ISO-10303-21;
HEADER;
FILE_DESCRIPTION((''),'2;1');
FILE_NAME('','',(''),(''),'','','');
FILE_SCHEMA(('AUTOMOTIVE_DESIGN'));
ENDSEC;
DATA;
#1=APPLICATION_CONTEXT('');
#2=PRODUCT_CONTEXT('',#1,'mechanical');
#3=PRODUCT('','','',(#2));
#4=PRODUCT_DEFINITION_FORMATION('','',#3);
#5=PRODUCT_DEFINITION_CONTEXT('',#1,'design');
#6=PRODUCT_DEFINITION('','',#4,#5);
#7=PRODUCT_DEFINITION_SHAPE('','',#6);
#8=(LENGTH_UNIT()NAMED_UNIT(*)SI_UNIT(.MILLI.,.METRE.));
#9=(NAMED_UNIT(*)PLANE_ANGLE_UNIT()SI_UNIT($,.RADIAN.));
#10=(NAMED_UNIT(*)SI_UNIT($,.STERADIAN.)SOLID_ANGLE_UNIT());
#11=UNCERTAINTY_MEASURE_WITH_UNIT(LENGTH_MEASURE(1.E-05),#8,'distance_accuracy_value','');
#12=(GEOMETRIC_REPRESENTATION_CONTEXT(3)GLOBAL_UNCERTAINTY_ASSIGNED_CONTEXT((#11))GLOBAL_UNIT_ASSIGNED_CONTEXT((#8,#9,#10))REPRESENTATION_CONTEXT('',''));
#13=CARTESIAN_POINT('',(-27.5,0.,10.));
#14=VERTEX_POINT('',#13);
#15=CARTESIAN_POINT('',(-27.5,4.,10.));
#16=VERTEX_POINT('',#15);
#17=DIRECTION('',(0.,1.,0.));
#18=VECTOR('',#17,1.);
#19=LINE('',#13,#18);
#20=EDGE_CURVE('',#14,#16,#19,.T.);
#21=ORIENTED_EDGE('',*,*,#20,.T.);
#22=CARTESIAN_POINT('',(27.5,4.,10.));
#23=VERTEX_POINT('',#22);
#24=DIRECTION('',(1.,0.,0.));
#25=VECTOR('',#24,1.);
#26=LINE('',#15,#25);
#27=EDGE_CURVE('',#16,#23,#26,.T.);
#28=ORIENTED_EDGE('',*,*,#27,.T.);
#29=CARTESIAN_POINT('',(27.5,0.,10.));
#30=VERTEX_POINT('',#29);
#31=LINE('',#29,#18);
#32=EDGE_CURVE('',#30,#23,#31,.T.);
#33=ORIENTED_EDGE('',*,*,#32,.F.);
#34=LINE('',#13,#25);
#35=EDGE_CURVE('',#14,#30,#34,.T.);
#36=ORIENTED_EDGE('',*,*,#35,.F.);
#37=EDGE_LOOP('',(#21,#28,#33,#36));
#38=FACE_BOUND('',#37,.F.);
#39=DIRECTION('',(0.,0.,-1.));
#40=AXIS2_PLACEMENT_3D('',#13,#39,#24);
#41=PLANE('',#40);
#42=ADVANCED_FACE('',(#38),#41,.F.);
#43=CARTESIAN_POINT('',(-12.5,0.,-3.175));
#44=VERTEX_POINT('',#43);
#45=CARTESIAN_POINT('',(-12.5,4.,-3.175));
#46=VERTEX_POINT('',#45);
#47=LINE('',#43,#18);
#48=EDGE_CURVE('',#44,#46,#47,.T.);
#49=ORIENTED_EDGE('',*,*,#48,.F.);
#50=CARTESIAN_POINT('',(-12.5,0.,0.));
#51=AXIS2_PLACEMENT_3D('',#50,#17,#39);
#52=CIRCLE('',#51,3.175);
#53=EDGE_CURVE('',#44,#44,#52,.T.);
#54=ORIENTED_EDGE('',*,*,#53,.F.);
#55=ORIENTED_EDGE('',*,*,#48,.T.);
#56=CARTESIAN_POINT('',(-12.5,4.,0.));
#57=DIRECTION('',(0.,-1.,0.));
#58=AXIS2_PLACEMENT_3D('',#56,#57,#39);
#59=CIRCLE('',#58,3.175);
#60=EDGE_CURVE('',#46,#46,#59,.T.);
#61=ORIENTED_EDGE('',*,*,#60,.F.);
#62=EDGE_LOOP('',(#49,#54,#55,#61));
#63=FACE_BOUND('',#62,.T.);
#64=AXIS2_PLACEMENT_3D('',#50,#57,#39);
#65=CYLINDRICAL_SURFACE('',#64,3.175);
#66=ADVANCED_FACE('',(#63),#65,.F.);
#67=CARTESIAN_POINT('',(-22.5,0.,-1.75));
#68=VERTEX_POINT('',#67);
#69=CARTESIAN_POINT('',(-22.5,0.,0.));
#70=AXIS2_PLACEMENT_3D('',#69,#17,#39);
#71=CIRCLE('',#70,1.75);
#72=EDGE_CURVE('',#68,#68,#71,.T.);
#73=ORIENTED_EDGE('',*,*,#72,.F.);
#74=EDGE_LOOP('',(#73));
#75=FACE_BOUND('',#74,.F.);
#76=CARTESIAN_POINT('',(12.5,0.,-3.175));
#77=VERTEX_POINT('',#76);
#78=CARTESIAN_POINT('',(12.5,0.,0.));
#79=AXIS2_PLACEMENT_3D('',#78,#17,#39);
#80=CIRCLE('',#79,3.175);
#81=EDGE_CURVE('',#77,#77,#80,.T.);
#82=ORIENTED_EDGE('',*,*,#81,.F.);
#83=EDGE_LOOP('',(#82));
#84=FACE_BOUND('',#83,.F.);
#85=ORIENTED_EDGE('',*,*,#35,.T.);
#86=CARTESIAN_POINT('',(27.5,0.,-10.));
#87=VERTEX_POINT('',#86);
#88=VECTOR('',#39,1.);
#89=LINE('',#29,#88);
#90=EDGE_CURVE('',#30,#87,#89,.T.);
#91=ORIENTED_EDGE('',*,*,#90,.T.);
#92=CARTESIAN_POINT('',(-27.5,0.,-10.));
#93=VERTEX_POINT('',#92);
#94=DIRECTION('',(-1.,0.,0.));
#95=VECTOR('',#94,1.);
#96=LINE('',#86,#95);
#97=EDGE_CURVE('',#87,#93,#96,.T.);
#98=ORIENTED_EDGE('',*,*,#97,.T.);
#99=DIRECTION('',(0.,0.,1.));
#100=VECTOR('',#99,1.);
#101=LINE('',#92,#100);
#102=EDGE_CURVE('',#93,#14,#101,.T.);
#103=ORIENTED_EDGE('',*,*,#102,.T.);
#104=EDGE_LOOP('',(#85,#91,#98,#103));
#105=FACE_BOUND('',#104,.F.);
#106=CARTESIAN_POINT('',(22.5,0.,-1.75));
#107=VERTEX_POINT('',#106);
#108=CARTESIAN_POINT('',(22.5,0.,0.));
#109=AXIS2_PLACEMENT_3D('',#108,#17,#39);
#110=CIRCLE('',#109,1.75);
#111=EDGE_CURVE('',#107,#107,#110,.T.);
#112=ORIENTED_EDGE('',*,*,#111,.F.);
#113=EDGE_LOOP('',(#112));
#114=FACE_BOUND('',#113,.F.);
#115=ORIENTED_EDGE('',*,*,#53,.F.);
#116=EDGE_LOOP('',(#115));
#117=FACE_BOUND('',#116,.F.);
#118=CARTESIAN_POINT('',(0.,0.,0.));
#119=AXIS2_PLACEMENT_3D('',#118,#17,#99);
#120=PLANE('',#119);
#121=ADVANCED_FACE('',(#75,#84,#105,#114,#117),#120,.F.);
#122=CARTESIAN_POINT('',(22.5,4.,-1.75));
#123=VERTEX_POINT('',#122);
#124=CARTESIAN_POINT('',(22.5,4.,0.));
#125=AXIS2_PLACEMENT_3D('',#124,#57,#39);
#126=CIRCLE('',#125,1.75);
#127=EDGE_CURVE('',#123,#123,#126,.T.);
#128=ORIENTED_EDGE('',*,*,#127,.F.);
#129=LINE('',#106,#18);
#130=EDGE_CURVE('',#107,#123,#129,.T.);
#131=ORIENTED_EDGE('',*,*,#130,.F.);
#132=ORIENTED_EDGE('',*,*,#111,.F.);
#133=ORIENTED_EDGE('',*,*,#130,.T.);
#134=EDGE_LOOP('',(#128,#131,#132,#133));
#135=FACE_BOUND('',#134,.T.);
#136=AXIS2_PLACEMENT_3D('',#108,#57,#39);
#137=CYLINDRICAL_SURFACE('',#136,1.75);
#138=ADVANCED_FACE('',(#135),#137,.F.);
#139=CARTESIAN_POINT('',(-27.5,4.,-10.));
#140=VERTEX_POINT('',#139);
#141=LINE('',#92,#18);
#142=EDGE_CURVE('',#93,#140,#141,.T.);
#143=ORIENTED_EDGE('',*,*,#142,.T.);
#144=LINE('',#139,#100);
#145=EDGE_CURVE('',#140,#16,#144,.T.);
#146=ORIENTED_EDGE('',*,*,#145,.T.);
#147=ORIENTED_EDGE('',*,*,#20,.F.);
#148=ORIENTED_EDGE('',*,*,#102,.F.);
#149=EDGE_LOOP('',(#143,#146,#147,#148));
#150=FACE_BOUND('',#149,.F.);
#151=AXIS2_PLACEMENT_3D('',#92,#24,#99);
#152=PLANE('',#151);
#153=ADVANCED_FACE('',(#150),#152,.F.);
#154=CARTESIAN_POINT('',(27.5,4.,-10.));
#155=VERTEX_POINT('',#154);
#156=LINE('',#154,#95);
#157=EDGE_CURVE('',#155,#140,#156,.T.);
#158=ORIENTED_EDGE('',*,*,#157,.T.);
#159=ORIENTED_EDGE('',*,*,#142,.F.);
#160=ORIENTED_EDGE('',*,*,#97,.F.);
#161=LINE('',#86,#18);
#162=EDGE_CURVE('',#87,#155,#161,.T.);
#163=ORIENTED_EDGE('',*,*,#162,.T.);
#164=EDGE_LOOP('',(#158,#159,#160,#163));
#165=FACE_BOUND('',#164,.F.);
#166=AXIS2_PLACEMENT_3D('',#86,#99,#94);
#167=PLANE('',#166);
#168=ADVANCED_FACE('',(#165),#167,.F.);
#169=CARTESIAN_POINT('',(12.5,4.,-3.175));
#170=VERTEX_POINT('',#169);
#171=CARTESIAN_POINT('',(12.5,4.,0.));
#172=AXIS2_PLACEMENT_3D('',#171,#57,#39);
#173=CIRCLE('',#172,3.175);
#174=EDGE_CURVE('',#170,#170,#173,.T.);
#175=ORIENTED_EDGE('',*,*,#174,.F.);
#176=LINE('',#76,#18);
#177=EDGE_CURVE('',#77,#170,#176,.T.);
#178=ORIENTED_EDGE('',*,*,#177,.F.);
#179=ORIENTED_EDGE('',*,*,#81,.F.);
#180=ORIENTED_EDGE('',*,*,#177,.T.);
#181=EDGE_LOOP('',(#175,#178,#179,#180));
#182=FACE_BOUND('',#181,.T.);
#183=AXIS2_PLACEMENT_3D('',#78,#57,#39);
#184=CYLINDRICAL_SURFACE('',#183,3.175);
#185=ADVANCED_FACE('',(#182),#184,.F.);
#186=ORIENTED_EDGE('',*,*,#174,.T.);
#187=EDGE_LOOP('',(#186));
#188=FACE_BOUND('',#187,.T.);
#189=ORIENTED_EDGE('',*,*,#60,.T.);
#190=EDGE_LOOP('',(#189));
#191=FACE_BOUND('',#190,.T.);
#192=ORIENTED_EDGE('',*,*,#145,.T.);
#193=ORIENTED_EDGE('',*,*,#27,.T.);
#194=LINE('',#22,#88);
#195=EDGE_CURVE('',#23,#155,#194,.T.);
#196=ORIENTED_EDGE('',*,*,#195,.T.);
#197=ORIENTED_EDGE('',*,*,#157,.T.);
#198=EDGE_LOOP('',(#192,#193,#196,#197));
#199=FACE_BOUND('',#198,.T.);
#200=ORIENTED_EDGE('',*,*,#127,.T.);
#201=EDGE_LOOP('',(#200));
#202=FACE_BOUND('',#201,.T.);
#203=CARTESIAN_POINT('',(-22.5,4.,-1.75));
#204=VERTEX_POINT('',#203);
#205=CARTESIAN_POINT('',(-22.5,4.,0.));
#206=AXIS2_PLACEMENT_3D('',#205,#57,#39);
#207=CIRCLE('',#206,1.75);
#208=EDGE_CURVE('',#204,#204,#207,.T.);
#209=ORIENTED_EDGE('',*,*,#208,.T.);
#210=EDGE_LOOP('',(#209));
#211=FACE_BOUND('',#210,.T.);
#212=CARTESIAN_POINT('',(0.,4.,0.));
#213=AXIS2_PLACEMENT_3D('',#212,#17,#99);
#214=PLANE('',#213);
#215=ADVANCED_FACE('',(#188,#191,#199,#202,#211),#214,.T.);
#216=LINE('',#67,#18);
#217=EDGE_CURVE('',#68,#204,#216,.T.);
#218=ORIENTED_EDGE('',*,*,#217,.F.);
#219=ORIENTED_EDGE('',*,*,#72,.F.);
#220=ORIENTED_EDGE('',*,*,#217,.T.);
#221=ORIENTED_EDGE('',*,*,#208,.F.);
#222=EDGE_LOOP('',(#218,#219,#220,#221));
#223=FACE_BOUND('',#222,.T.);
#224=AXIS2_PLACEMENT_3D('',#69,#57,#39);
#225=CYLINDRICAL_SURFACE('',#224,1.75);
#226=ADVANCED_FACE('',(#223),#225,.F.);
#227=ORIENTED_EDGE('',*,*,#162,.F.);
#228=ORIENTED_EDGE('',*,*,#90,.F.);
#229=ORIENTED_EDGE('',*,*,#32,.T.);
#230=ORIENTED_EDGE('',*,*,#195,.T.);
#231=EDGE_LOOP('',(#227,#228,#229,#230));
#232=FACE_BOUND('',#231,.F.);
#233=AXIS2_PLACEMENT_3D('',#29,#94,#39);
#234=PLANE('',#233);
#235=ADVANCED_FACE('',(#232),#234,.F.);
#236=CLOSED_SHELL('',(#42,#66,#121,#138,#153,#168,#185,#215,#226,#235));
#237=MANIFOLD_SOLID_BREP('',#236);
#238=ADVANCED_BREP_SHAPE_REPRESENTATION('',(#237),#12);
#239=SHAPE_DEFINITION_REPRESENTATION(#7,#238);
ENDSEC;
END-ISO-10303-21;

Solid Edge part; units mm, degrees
sketch "Sketch1" plane through (0, 0, 0) normal (0, -1, 0) x (1, 0, 0)
  line L0 (-27.5, 10) -> (27.5, 10)
  line L1 (27.5, 10) -> (27.5, -10)
  line L2 (27.5, -10) -> (-27.5, -10)
  line L3 (-27.5, -10) -> (-27.5, 10)
  dimension "D1" = 55
  dimension "D2" = 20
extrude "Protrusion1" add sketch "Sketch1" against normal blind 4
hole "Bohrung_1" at (12.5, 0, 0) direction (0, 1, 0) diameter 6.35 end up to next
hole "Hole1" at (-12.5, 0, 0) direction (0, 1, 0) diameter 6.35 end up to next
hole "Bohrung_3" at (22.5, 0, 0) direction (0, 1, 0) diameter 3.5 end up to next
hole "Hole2" at (-22.5, 0, 0) direction (0, 1, 0) diameter 3.5 end up to next
